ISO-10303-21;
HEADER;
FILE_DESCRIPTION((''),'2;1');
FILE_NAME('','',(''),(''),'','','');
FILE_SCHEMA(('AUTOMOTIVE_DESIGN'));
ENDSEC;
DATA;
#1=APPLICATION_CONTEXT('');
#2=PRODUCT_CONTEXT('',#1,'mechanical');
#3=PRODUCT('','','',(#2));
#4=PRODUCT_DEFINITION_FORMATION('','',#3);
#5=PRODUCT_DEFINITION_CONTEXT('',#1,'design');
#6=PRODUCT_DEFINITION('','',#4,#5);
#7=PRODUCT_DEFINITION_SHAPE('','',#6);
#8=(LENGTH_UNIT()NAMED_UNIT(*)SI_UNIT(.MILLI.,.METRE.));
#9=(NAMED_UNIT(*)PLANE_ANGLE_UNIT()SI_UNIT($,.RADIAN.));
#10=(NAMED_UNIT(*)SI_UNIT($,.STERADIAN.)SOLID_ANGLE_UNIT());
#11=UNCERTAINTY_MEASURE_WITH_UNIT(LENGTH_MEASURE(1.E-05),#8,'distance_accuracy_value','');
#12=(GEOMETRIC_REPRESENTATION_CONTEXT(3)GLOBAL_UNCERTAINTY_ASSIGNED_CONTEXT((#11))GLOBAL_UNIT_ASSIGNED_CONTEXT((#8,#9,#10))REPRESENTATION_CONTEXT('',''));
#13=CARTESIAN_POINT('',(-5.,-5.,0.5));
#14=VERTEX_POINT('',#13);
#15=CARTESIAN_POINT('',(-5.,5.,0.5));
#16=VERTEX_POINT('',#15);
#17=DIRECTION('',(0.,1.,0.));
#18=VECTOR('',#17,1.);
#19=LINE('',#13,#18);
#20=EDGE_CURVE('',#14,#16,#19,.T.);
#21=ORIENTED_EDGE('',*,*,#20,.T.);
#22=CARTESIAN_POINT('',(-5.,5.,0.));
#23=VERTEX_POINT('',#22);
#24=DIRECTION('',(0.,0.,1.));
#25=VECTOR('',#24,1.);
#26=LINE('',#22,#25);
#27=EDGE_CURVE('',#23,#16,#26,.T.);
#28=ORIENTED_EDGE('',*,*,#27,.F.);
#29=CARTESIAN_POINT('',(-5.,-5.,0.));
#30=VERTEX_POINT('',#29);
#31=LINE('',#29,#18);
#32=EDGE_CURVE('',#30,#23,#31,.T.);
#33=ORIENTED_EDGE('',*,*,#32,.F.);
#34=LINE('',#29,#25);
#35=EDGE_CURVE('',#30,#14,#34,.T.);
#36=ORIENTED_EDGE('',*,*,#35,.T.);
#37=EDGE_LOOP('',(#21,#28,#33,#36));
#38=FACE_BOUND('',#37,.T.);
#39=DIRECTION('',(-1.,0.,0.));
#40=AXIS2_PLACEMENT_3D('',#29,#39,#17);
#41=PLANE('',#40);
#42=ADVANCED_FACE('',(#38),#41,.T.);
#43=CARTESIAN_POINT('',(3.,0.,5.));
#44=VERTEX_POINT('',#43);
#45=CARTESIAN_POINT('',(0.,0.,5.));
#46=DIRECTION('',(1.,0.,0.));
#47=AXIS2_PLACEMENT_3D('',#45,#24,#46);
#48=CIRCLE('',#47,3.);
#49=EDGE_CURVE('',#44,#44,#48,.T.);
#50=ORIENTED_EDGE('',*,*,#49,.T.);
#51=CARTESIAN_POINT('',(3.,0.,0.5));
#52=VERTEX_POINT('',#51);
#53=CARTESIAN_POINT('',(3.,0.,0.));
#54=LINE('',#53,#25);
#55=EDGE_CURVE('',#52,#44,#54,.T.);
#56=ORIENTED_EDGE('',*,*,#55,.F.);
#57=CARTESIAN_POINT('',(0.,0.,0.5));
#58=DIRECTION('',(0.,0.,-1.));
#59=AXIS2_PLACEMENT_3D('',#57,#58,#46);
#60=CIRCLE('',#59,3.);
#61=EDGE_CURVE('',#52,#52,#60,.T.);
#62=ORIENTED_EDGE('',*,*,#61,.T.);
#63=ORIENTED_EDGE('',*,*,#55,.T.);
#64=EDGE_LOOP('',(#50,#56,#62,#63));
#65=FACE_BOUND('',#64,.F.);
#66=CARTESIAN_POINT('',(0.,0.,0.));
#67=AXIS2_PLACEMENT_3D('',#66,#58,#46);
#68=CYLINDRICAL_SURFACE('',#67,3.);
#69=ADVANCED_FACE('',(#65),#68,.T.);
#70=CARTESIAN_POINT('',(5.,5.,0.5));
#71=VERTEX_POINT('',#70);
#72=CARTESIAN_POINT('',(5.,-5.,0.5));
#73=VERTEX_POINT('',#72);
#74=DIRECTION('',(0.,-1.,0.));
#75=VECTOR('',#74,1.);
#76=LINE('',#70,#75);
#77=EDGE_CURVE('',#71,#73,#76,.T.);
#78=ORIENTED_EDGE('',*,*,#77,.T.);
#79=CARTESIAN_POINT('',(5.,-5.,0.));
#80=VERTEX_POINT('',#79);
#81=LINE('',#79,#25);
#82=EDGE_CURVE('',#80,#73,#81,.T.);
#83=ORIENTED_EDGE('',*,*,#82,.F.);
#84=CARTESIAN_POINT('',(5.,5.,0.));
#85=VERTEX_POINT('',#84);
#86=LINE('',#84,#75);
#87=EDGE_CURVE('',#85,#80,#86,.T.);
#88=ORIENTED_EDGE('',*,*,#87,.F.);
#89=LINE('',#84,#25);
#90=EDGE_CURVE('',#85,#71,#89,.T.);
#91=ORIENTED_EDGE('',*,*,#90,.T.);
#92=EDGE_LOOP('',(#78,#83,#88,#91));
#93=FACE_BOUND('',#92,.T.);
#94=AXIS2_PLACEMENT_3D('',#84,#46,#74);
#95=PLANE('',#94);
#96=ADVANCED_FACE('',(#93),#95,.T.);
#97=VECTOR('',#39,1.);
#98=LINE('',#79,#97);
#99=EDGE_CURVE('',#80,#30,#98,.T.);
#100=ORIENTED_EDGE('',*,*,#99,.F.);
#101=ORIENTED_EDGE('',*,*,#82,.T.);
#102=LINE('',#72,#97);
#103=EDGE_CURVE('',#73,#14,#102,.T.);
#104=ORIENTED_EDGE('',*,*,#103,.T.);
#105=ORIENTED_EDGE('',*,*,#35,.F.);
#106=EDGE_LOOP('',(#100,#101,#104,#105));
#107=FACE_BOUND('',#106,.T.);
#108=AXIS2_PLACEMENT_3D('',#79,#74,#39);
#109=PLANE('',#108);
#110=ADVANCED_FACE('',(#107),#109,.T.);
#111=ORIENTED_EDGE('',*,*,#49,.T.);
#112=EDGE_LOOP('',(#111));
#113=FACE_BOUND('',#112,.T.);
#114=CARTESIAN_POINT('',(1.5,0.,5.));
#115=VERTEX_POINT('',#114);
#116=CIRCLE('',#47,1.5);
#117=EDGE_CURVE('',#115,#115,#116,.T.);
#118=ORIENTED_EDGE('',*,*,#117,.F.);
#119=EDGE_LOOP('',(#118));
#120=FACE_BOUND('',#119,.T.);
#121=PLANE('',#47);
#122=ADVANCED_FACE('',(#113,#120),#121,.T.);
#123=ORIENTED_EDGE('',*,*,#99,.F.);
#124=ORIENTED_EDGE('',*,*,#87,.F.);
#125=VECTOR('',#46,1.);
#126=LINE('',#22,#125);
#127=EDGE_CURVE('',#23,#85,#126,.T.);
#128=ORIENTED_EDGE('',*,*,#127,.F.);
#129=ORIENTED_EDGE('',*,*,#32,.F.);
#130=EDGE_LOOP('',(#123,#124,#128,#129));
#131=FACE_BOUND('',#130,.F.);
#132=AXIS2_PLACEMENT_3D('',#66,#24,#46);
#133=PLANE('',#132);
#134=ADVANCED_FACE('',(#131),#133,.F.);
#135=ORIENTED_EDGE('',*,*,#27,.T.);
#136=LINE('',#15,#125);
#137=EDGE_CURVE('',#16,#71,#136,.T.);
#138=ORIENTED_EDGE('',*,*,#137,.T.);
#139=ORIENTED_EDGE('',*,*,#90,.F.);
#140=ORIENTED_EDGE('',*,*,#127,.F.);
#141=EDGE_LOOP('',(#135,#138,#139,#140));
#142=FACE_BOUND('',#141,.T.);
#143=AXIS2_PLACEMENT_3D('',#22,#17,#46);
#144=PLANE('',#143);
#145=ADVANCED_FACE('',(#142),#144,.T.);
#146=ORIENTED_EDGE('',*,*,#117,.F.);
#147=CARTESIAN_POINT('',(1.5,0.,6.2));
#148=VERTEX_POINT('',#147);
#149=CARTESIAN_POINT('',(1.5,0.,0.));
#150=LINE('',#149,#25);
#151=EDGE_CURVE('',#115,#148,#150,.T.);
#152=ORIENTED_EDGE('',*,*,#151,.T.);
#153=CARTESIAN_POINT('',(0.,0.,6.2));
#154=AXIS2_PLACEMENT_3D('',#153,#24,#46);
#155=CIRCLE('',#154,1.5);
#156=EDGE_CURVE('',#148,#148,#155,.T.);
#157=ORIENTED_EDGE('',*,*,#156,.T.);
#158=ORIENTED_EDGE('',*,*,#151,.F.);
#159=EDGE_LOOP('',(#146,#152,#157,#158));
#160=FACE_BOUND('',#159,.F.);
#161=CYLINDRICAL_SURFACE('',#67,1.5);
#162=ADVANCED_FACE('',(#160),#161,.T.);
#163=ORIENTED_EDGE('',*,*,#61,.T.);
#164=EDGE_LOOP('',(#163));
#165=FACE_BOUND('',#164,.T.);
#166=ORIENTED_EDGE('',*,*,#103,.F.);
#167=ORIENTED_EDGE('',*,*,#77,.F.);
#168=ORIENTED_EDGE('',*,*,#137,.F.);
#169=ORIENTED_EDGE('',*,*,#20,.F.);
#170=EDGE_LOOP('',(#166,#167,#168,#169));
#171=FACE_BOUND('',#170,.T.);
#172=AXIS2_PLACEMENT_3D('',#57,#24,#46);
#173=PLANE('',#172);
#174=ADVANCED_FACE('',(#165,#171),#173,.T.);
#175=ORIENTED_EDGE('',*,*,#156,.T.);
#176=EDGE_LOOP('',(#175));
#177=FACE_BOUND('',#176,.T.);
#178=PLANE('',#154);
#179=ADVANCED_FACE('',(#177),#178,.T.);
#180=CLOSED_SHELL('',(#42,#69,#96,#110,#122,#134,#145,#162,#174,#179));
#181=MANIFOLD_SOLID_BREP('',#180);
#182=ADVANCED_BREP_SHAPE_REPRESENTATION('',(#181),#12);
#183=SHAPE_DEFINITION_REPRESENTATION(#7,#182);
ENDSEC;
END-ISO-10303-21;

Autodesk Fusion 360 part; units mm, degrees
sketch "Skizze1" plane through (0, 0, 0) normal (0, 0, 1) x (1, 0, 0)
  circle A0 centre (0, 0) radius 3
  circle A1 centre (0, 0) radius 1.5
  dimension "d1" = 6
  dimension "d2" = 3
extrude "Extrusion1" add sketch "Skizze1" along normal blind 5
extrude "Extrusion2" add sketch "Skizze1" along normal blind 6.2 contours A1
sketch "Skizze2" plane through (0, 0, 0) normal (0, 0, 1) x (1, 0, 0)
  line L0 (-5, 5) -> (5, 5)
  line L1 (5, 5) -> (5, -5)
  line L2 (5, -5) -> (-5, -5)
  line L3 (-5, -5) -> (-5, 5)
  dimension "d9" = 10
extrude "Extrusion3" add sketch "Skizze2" along normal blind 0.5
equation "d5 = 5 mm + ( 0.12 * 10 ) * 1 mm"
